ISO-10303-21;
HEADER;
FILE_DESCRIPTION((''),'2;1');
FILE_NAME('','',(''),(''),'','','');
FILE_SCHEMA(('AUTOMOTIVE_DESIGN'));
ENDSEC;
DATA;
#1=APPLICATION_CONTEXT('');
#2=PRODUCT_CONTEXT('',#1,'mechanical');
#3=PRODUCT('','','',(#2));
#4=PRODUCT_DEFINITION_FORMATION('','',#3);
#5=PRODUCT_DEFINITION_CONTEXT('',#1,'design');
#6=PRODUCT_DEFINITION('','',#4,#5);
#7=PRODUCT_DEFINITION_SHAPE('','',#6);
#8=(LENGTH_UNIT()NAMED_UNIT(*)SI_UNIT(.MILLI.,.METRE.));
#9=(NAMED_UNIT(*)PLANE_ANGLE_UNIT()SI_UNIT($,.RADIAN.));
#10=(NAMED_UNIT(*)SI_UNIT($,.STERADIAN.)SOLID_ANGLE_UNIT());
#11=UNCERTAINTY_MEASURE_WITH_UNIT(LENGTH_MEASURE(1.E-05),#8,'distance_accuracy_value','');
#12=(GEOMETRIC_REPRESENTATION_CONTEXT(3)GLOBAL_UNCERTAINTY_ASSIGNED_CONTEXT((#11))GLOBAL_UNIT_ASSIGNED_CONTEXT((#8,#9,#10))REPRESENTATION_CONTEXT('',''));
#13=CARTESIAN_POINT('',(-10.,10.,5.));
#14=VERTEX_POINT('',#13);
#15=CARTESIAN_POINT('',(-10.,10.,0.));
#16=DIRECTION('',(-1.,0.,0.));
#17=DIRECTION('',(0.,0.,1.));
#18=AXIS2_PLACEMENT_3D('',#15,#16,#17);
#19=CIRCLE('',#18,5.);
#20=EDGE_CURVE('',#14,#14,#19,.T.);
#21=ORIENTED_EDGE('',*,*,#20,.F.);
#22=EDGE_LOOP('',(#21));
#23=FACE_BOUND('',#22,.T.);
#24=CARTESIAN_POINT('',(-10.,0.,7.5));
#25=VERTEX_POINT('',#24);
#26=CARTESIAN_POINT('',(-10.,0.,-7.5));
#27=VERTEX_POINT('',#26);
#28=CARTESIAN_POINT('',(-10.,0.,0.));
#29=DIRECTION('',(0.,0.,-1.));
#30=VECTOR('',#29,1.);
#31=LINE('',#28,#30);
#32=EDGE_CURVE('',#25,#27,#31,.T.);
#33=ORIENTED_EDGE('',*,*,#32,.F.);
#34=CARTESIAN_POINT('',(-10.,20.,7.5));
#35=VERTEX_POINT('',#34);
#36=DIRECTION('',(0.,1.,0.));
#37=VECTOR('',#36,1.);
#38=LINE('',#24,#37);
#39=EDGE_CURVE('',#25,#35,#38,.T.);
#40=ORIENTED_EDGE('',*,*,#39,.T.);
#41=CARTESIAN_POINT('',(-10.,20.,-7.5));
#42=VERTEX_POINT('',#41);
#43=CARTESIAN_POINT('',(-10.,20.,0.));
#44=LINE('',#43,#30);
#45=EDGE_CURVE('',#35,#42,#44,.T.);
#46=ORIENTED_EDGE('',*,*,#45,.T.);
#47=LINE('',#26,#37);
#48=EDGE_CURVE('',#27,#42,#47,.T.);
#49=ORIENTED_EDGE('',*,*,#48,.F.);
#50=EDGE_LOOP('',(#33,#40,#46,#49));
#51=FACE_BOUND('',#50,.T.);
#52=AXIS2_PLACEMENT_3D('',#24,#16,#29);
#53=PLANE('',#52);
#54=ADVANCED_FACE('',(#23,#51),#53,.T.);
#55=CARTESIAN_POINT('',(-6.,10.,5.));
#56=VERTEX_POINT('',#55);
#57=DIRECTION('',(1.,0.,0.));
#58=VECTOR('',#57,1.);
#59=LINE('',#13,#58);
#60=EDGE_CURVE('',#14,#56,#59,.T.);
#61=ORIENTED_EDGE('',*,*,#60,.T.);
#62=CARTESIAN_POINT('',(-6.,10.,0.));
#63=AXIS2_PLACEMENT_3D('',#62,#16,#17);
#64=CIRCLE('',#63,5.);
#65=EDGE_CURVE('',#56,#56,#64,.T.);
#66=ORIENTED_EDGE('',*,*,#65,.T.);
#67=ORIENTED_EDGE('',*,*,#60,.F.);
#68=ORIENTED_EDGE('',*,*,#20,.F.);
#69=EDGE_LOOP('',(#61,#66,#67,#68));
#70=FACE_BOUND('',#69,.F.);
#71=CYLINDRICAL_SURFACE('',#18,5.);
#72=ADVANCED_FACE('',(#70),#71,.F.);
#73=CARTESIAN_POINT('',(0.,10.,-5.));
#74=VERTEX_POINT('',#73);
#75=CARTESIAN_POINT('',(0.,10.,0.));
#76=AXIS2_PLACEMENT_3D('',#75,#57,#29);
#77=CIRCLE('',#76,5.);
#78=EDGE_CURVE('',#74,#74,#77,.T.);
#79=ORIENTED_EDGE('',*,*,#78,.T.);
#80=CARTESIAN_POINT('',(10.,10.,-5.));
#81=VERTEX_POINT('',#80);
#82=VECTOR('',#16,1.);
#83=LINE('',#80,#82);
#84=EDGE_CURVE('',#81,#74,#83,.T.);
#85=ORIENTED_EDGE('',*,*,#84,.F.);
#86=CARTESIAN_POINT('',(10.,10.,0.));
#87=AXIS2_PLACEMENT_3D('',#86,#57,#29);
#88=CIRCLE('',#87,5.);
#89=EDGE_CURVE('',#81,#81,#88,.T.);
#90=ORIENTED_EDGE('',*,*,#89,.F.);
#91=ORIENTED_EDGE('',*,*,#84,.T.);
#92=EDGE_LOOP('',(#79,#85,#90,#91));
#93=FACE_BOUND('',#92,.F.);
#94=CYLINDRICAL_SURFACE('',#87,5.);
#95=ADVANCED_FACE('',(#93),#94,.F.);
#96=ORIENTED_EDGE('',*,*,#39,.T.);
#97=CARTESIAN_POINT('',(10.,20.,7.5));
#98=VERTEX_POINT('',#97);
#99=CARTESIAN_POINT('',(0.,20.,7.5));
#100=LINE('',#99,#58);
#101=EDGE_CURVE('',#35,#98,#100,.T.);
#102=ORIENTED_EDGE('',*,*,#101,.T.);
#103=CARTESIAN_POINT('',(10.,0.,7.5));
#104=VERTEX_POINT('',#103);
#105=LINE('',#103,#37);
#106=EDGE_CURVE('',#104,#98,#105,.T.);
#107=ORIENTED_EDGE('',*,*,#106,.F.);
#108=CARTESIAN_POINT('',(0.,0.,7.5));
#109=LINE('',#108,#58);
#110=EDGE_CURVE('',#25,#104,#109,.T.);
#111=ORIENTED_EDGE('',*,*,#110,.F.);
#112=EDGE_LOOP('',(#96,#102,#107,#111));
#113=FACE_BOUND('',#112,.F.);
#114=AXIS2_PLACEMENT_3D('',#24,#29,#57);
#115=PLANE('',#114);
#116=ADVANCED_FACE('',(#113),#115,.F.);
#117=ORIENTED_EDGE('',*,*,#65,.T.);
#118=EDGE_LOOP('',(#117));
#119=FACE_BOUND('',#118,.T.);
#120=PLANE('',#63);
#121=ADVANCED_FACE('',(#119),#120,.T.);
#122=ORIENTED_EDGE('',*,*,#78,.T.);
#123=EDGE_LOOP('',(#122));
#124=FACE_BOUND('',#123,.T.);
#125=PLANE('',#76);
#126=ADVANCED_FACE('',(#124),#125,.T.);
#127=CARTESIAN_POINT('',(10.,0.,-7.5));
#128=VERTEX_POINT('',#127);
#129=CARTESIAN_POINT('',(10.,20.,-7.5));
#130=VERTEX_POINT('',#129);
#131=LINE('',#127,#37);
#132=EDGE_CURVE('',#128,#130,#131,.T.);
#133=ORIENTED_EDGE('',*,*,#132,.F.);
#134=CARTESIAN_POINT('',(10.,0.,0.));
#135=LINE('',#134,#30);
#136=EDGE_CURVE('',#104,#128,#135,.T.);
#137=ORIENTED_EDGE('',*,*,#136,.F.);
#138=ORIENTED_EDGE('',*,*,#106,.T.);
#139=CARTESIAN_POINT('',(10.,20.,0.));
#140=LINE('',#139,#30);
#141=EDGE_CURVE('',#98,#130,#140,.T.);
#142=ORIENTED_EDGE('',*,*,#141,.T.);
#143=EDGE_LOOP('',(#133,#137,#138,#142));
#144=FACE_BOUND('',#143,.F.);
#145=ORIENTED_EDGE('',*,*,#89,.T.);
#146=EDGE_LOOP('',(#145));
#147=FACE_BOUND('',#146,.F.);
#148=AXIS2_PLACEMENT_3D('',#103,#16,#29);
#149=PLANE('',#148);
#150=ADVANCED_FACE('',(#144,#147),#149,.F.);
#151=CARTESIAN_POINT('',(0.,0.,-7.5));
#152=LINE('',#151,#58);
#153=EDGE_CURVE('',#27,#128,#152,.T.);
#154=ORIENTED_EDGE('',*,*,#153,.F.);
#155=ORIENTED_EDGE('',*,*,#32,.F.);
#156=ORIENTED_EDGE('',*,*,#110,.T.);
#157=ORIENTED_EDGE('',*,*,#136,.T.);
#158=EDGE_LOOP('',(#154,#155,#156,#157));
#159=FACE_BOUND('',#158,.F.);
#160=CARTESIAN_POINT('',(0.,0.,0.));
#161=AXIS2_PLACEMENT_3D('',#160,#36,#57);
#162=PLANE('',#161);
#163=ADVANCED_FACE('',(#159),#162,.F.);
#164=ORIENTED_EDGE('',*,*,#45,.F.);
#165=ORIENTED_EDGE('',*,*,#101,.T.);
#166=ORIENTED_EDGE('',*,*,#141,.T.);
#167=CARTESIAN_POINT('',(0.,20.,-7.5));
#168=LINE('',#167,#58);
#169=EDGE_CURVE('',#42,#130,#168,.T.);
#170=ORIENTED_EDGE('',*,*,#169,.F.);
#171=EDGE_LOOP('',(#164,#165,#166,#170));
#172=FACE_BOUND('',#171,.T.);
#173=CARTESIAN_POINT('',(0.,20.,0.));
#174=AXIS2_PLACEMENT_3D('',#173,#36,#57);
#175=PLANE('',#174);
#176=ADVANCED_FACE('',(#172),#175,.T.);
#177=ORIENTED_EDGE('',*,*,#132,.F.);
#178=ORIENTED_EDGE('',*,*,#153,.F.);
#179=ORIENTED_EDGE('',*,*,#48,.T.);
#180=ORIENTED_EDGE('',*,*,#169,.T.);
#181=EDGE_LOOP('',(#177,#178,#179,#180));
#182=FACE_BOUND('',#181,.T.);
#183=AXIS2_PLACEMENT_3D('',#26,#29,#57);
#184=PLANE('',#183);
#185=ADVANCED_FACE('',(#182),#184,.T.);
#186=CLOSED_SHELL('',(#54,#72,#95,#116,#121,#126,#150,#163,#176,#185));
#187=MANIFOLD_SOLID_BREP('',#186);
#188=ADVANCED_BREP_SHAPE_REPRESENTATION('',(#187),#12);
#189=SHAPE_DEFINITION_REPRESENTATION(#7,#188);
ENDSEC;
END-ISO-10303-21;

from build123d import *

# Parameters (mm, degrees)
SKETCH3_W           = 20
SKETCH3_H           = 15
BOSS_EXTRUDE1_DEPTH = 20
SKETCH5_R           = 5
CUT_EXTRUDE1_DEPTH  = 10
SKETCH6_R           = 5
CUT_EXTRUDE2_DEPTH  = 4


with BuildPart() as part:
    # Sketch3 → Boss-Extrude1 (new body)
    with BuildSketch(Plane(origin=(0, 0, 0), x_dir=(1, 0, 0), z_dir=(0, 1, 0))):
        Rectangle(SKETCH3_W, SKETCH3_H)
    extrude(amount=BOSS_EXTRUDE1_DEPTH)

    # Sketch5 → Cut-Extrude1 (cut)
    with BuildSketch(Plane(origin=(10, 0, 0), x_dir=(0, 0, -1), z_dir=(1, 0, 0))):
        with Locations((0, 10)):
            Circle(SKETCH5_R)
    extrude(amount=-CUT_EXTRUDE1_DEPTH, mode=Mode.SUBTRACT)

    # Sketch6 → Cut-Extrude2 (cut)
    with BuildSketch(Plane.ZY.offset(10)):
        with Locations((0, 10)):
            Circle(SKETCH6_R)
    extrude(amount=-CUT_EXTRUDE2_DEPTH, mode=Mode.SUBTRACT)


solid = part.part
